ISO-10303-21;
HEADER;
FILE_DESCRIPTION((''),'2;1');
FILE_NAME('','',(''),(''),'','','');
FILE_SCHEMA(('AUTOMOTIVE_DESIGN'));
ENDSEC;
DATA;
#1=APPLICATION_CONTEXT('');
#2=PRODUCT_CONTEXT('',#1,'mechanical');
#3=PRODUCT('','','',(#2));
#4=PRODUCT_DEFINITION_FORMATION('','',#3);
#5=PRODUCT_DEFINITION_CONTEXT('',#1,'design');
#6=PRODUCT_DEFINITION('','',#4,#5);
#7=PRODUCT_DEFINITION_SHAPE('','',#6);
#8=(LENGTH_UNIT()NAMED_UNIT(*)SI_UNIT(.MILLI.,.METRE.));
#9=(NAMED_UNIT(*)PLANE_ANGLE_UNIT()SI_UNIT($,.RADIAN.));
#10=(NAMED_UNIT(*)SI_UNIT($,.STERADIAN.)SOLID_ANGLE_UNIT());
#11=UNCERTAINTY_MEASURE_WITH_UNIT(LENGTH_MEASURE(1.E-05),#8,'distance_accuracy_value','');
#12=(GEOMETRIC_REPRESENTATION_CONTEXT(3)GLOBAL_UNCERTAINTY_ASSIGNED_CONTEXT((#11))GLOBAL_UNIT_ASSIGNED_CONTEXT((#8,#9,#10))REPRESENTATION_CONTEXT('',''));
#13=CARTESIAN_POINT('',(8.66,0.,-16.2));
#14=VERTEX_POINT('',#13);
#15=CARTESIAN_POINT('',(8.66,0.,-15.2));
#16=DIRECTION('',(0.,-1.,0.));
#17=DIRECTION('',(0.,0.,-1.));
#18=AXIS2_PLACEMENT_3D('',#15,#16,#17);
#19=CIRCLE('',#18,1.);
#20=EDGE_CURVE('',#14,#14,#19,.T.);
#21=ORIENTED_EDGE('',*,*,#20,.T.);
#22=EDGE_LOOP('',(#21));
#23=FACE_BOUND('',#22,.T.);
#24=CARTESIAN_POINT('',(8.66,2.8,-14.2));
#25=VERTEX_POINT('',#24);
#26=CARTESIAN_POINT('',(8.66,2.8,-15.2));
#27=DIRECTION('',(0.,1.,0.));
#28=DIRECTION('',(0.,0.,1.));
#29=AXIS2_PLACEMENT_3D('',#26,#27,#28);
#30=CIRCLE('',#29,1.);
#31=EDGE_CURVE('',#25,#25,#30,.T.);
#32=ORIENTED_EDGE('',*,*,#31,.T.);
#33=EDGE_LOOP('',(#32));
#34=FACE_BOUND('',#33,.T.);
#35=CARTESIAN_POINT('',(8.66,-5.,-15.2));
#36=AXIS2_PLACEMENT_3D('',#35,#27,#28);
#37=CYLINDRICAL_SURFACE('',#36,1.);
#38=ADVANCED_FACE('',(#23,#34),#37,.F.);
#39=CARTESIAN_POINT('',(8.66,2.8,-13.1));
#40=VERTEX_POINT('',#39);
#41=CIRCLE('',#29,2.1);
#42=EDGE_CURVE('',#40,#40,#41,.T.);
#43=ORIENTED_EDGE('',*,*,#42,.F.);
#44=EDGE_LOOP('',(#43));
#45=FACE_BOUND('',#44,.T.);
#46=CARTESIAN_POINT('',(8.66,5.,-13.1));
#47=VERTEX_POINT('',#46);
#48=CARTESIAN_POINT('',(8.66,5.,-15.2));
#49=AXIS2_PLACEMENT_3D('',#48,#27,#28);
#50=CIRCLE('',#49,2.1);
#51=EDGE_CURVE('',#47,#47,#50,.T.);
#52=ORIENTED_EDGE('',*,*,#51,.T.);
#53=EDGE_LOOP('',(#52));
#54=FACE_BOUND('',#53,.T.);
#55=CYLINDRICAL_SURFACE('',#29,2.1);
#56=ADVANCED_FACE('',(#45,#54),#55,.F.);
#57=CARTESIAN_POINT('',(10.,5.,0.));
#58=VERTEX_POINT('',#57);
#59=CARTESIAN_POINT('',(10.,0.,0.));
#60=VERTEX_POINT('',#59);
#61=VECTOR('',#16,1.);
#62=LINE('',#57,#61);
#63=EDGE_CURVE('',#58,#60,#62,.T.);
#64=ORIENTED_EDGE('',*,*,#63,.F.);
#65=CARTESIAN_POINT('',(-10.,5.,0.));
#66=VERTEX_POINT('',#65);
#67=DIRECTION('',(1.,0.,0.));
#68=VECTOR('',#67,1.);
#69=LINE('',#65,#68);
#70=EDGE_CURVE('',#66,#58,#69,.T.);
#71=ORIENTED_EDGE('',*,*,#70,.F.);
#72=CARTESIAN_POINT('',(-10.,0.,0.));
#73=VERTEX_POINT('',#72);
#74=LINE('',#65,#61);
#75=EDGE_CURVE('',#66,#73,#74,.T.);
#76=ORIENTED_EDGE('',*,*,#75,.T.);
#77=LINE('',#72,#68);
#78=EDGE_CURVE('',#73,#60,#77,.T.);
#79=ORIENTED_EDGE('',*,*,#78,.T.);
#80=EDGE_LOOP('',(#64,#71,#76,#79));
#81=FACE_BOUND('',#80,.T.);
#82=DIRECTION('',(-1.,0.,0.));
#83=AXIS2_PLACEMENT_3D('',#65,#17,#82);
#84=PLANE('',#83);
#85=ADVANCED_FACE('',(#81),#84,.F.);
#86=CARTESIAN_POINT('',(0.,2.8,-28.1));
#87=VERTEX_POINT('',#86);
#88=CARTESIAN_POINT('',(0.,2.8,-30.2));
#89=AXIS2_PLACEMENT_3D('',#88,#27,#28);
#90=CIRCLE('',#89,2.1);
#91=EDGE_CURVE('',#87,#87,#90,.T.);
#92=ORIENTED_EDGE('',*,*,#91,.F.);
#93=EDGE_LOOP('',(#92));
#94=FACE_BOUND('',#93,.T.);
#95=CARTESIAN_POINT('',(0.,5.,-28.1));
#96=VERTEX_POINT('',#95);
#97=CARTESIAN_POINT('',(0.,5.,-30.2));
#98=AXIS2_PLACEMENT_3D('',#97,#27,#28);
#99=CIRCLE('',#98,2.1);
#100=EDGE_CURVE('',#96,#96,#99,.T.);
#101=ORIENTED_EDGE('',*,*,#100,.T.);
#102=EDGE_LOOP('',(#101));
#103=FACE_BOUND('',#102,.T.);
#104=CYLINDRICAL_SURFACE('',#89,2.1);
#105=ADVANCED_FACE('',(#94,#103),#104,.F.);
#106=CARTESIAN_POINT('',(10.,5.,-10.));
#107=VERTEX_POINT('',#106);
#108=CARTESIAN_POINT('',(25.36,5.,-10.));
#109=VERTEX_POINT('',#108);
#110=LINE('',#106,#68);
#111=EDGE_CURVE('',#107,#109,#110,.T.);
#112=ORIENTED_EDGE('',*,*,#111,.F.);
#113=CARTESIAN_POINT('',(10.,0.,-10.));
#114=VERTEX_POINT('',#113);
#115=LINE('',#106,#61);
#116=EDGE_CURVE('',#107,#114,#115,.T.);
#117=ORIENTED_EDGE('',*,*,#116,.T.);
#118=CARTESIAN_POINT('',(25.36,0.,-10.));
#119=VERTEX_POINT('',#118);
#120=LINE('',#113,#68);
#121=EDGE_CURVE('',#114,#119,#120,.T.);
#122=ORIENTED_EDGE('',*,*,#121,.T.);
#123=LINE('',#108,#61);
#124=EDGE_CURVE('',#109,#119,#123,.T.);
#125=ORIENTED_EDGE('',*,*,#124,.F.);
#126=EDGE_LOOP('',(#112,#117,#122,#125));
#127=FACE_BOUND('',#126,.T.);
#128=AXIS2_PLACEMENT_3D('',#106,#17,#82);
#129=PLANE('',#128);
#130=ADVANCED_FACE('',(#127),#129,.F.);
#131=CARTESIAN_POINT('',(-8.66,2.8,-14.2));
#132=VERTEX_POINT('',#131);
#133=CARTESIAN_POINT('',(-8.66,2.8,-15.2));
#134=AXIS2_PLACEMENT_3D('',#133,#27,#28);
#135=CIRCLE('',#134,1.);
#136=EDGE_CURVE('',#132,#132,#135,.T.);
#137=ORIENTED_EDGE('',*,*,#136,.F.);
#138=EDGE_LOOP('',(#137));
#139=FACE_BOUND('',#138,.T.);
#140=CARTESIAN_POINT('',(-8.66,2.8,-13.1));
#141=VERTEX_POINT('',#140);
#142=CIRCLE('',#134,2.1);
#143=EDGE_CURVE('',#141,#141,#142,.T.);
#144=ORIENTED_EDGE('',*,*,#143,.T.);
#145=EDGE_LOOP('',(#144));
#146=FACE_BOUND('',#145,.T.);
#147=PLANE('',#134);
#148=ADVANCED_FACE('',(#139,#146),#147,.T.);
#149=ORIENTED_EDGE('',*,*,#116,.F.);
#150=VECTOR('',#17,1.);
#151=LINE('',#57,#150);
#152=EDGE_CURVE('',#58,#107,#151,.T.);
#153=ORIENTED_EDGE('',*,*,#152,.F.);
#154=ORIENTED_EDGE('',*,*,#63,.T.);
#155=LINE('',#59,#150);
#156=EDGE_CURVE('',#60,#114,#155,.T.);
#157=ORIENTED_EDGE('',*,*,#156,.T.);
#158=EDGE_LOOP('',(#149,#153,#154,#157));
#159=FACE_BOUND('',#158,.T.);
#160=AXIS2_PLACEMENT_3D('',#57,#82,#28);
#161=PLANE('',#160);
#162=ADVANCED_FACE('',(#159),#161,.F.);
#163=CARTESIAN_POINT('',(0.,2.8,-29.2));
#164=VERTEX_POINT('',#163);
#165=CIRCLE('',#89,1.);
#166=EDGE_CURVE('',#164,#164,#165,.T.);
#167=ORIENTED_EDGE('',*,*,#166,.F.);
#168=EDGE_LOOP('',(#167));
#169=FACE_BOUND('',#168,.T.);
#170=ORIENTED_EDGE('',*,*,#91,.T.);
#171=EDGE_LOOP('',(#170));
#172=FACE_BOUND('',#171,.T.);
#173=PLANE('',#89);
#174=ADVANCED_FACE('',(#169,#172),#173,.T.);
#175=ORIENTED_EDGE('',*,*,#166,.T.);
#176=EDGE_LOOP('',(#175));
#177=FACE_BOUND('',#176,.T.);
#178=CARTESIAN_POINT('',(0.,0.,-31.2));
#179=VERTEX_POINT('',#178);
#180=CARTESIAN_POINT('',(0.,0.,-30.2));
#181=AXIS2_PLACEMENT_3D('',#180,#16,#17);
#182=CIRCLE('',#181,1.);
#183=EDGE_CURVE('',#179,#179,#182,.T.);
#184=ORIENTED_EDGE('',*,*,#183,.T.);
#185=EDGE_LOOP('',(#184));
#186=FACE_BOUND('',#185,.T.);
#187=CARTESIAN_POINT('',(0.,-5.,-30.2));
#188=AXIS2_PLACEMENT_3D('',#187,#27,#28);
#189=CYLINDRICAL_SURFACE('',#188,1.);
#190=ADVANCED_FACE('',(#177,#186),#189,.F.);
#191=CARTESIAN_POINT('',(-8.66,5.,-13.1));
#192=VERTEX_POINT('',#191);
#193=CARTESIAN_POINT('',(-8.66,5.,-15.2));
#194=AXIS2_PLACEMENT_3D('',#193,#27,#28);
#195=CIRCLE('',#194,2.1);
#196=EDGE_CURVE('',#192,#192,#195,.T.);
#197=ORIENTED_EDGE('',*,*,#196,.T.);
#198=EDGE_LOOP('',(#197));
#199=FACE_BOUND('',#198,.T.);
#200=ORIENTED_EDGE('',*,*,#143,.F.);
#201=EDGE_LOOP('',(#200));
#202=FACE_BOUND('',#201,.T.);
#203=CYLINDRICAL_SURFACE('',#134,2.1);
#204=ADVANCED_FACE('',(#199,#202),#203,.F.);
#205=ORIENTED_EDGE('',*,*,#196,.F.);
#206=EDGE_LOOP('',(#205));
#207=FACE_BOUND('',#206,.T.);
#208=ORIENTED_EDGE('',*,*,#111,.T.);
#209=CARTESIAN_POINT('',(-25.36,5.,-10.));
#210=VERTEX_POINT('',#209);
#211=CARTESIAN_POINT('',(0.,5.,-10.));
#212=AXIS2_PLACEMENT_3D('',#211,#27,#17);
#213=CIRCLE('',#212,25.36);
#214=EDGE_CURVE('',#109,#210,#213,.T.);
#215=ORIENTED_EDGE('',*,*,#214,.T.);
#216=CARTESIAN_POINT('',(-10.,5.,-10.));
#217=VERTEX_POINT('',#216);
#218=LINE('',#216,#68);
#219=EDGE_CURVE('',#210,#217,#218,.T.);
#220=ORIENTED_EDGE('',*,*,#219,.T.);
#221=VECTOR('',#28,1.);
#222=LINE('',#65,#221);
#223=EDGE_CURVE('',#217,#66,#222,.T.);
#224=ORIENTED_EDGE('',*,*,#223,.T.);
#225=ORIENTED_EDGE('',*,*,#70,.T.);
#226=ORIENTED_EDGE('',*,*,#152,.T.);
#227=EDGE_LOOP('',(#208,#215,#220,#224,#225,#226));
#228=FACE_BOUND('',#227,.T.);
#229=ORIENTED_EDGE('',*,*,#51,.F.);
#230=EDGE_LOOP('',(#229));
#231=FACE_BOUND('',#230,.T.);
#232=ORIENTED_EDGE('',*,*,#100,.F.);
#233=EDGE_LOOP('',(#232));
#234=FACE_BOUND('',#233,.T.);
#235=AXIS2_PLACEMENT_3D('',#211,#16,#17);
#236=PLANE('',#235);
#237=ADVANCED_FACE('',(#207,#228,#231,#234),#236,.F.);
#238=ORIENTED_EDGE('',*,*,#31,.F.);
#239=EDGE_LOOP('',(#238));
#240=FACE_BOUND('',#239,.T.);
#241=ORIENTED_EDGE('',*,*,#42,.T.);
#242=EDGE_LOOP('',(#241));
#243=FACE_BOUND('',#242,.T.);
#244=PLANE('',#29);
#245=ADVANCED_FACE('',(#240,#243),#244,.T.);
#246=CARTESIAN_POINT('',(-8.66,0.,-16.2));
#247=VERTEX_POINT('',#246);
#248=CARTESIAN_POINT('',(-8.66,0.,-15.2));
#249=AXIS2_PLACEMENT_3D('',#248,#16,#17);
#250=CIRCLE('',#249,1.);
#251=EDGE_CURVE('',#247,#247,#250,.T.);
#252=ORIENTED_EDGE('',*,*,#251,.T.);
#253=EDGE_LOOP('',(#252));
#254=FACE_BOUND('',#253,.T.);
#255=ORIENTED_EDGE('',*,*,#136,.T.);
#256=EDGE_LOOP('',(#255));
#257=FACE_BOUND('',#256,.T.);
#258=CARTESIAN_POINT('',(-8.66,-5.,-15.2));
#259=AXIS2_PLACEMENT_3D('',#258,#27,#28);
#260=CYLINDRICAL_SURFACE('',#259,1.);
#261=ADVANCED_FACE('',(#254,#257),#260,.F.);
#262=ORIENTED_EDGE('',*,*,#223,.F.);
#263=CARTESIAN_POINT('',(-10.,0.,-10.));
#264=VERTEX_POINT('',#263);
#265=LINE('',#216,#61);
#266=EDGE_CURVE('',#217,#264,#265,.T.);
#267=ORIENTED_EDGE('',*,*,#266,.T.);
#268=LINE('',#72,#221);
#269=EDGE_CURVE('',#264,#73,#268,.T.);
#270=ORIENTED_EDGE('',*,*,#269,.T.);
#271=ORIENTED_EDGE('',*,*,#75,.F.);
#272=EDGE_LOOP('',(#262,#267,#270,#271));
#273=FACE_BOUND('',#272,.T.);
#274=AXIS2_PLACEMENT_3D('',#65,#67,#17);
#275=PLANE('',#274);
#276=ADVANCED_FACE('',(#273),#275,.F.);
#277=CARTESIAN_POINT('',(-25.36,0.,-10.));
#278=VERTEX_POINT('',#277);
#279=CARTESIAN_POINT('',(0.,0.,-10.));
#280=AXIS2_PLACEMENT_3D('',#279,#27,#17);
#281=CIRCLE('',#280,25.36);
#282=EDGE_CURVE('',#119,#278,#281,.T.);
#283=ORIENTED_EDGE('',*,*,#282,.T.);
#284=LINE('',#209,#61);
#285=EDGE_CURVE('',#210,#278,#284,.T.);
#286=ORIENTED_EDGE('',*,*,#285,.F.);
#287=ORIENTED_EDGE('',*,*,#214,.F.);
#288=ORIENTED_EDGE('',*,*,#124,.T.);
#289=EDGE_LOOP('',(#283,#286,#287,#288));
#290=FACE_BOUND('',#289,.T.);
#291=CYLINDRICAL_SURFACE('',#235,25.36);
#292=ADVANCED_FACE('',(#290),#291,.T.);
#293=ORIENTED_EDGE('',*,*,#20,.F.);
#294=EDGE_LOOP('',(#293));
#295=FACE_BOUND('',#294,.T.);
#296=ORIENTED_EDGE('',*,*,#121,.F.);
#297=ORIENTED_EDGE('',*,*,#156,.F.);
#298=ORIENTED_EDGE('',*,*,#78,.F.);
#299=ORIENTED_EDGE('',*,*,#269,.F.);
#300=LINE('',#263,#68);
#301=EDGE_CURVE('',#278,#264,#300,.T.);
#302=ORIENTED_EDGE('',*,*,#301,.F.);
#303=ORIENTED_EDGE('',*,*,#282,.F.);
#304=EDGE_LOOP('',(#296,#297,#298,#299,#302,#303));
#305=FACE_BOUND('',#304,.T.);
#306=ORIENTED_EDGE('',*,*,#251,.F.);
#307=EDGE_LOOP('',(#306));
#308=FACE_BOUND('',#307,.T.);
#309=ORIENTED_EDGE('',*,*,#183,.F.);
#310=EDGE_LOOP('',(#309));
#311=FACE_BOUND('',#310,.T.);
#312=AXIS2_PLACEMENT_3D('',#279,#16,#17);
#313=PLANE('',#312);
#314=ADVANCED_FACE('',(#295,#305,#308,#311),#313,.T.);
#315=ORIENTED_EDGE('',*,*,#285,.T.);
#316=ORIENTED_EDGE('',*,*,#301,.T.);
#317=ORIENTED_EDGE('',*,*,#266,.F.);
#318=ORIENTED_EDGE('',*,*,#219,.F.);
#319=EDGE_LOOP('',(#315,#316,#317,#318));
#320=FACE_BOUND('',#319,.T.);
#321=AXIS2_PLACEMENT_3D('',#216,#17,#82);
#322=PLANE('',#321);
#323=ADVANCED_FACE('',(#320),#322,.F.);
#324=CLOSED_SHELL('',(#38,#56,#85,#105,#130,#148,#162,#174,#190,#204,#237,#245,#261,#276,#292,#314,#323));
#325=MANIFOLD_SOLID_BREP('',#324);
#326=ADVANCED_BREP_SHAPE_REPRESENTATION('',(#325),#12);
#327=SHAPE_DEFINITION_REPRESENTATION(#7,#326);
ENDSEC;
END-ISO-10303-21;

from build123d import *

# Parameters (mm, degrees)
SALIENTE_EXTRUIR1_DEPTH = 5
CROQUIS2_R              = 2.1
CORTAR_EXTRUIR1_DEPTH   = 2.2
CROQUIS3_R              = 1
CORTAR_EXTRUIR2_DEPTH   = 10


with BuildPart() as part:
    # Croquis1 → Saliente-Extruir1 (new body)
    with BuildSketch(Plane(origin=(0, 0, 0), x_dir=(1, 0, 0), z_dir=(0, 1, 0))):
        with BuildLine():
            Line((-10, 0), (10, 0))
            Line((10, 0), (10, 10))
            Line((10, 10), (25.36, 10))
            ThreePointArc((25.36, 10), (0, 35.36), (-25.36, 10))
            Line((-25.36, 10), (-10, 10))
            Line((-10, 10), (-10, 0))
        make_face()
    extrude(amount=SALIENTE_EXTRUIR1_DEPTH)

    # Croquis2 → Cortar-Extruir1 (cut)
    with BuildSketch(Plane(origin=(0, 5, 0), x_dir=(1, 0, 0), z_dir=(0, 1, 0))):
        with Locations(Location((0, 30.2, 0), (0, 0, 270))):
            Circle(CROQUIS2_R)
        with Locations(Location((8.66, 15.2, 0), (0, 0, 270))):
            Circle(CROQUIS2_R)
        with Locations(Location((-8.66, 15.2, 0), (0, 0, 270))):
            Circle(CROQUIS2_R)
    extrude(amount=-CORTAR_EXTRUIR1_DEPTH, mode=Mode.SUBTRACT)

    # Croquis3 → Cortar-Extruir2 (cut)
    with BuildSketch(Plane(origin=(0, 5, 0), x_dir=(1, 0, 0), z_dir=(0, 1, 0))):
        with Locations(Location((-8.66, 15.2, 0), (0, 0, 270))):
            Circle(CROQUIS3_R)
        with Locations(Location((8.66, 15.2, 0), (0, 0, 270))):
            Circle(CROQUIS3_R)
        with Locations(Location((0, 30.2, 0), (0, 0, 270))):
            Circle(CROQUIS3_R)
    extrude(amount=-CORTAR_EXTRUIR2_DEPTH, mode=Mode.SUBTRACT)


solid = part.part
